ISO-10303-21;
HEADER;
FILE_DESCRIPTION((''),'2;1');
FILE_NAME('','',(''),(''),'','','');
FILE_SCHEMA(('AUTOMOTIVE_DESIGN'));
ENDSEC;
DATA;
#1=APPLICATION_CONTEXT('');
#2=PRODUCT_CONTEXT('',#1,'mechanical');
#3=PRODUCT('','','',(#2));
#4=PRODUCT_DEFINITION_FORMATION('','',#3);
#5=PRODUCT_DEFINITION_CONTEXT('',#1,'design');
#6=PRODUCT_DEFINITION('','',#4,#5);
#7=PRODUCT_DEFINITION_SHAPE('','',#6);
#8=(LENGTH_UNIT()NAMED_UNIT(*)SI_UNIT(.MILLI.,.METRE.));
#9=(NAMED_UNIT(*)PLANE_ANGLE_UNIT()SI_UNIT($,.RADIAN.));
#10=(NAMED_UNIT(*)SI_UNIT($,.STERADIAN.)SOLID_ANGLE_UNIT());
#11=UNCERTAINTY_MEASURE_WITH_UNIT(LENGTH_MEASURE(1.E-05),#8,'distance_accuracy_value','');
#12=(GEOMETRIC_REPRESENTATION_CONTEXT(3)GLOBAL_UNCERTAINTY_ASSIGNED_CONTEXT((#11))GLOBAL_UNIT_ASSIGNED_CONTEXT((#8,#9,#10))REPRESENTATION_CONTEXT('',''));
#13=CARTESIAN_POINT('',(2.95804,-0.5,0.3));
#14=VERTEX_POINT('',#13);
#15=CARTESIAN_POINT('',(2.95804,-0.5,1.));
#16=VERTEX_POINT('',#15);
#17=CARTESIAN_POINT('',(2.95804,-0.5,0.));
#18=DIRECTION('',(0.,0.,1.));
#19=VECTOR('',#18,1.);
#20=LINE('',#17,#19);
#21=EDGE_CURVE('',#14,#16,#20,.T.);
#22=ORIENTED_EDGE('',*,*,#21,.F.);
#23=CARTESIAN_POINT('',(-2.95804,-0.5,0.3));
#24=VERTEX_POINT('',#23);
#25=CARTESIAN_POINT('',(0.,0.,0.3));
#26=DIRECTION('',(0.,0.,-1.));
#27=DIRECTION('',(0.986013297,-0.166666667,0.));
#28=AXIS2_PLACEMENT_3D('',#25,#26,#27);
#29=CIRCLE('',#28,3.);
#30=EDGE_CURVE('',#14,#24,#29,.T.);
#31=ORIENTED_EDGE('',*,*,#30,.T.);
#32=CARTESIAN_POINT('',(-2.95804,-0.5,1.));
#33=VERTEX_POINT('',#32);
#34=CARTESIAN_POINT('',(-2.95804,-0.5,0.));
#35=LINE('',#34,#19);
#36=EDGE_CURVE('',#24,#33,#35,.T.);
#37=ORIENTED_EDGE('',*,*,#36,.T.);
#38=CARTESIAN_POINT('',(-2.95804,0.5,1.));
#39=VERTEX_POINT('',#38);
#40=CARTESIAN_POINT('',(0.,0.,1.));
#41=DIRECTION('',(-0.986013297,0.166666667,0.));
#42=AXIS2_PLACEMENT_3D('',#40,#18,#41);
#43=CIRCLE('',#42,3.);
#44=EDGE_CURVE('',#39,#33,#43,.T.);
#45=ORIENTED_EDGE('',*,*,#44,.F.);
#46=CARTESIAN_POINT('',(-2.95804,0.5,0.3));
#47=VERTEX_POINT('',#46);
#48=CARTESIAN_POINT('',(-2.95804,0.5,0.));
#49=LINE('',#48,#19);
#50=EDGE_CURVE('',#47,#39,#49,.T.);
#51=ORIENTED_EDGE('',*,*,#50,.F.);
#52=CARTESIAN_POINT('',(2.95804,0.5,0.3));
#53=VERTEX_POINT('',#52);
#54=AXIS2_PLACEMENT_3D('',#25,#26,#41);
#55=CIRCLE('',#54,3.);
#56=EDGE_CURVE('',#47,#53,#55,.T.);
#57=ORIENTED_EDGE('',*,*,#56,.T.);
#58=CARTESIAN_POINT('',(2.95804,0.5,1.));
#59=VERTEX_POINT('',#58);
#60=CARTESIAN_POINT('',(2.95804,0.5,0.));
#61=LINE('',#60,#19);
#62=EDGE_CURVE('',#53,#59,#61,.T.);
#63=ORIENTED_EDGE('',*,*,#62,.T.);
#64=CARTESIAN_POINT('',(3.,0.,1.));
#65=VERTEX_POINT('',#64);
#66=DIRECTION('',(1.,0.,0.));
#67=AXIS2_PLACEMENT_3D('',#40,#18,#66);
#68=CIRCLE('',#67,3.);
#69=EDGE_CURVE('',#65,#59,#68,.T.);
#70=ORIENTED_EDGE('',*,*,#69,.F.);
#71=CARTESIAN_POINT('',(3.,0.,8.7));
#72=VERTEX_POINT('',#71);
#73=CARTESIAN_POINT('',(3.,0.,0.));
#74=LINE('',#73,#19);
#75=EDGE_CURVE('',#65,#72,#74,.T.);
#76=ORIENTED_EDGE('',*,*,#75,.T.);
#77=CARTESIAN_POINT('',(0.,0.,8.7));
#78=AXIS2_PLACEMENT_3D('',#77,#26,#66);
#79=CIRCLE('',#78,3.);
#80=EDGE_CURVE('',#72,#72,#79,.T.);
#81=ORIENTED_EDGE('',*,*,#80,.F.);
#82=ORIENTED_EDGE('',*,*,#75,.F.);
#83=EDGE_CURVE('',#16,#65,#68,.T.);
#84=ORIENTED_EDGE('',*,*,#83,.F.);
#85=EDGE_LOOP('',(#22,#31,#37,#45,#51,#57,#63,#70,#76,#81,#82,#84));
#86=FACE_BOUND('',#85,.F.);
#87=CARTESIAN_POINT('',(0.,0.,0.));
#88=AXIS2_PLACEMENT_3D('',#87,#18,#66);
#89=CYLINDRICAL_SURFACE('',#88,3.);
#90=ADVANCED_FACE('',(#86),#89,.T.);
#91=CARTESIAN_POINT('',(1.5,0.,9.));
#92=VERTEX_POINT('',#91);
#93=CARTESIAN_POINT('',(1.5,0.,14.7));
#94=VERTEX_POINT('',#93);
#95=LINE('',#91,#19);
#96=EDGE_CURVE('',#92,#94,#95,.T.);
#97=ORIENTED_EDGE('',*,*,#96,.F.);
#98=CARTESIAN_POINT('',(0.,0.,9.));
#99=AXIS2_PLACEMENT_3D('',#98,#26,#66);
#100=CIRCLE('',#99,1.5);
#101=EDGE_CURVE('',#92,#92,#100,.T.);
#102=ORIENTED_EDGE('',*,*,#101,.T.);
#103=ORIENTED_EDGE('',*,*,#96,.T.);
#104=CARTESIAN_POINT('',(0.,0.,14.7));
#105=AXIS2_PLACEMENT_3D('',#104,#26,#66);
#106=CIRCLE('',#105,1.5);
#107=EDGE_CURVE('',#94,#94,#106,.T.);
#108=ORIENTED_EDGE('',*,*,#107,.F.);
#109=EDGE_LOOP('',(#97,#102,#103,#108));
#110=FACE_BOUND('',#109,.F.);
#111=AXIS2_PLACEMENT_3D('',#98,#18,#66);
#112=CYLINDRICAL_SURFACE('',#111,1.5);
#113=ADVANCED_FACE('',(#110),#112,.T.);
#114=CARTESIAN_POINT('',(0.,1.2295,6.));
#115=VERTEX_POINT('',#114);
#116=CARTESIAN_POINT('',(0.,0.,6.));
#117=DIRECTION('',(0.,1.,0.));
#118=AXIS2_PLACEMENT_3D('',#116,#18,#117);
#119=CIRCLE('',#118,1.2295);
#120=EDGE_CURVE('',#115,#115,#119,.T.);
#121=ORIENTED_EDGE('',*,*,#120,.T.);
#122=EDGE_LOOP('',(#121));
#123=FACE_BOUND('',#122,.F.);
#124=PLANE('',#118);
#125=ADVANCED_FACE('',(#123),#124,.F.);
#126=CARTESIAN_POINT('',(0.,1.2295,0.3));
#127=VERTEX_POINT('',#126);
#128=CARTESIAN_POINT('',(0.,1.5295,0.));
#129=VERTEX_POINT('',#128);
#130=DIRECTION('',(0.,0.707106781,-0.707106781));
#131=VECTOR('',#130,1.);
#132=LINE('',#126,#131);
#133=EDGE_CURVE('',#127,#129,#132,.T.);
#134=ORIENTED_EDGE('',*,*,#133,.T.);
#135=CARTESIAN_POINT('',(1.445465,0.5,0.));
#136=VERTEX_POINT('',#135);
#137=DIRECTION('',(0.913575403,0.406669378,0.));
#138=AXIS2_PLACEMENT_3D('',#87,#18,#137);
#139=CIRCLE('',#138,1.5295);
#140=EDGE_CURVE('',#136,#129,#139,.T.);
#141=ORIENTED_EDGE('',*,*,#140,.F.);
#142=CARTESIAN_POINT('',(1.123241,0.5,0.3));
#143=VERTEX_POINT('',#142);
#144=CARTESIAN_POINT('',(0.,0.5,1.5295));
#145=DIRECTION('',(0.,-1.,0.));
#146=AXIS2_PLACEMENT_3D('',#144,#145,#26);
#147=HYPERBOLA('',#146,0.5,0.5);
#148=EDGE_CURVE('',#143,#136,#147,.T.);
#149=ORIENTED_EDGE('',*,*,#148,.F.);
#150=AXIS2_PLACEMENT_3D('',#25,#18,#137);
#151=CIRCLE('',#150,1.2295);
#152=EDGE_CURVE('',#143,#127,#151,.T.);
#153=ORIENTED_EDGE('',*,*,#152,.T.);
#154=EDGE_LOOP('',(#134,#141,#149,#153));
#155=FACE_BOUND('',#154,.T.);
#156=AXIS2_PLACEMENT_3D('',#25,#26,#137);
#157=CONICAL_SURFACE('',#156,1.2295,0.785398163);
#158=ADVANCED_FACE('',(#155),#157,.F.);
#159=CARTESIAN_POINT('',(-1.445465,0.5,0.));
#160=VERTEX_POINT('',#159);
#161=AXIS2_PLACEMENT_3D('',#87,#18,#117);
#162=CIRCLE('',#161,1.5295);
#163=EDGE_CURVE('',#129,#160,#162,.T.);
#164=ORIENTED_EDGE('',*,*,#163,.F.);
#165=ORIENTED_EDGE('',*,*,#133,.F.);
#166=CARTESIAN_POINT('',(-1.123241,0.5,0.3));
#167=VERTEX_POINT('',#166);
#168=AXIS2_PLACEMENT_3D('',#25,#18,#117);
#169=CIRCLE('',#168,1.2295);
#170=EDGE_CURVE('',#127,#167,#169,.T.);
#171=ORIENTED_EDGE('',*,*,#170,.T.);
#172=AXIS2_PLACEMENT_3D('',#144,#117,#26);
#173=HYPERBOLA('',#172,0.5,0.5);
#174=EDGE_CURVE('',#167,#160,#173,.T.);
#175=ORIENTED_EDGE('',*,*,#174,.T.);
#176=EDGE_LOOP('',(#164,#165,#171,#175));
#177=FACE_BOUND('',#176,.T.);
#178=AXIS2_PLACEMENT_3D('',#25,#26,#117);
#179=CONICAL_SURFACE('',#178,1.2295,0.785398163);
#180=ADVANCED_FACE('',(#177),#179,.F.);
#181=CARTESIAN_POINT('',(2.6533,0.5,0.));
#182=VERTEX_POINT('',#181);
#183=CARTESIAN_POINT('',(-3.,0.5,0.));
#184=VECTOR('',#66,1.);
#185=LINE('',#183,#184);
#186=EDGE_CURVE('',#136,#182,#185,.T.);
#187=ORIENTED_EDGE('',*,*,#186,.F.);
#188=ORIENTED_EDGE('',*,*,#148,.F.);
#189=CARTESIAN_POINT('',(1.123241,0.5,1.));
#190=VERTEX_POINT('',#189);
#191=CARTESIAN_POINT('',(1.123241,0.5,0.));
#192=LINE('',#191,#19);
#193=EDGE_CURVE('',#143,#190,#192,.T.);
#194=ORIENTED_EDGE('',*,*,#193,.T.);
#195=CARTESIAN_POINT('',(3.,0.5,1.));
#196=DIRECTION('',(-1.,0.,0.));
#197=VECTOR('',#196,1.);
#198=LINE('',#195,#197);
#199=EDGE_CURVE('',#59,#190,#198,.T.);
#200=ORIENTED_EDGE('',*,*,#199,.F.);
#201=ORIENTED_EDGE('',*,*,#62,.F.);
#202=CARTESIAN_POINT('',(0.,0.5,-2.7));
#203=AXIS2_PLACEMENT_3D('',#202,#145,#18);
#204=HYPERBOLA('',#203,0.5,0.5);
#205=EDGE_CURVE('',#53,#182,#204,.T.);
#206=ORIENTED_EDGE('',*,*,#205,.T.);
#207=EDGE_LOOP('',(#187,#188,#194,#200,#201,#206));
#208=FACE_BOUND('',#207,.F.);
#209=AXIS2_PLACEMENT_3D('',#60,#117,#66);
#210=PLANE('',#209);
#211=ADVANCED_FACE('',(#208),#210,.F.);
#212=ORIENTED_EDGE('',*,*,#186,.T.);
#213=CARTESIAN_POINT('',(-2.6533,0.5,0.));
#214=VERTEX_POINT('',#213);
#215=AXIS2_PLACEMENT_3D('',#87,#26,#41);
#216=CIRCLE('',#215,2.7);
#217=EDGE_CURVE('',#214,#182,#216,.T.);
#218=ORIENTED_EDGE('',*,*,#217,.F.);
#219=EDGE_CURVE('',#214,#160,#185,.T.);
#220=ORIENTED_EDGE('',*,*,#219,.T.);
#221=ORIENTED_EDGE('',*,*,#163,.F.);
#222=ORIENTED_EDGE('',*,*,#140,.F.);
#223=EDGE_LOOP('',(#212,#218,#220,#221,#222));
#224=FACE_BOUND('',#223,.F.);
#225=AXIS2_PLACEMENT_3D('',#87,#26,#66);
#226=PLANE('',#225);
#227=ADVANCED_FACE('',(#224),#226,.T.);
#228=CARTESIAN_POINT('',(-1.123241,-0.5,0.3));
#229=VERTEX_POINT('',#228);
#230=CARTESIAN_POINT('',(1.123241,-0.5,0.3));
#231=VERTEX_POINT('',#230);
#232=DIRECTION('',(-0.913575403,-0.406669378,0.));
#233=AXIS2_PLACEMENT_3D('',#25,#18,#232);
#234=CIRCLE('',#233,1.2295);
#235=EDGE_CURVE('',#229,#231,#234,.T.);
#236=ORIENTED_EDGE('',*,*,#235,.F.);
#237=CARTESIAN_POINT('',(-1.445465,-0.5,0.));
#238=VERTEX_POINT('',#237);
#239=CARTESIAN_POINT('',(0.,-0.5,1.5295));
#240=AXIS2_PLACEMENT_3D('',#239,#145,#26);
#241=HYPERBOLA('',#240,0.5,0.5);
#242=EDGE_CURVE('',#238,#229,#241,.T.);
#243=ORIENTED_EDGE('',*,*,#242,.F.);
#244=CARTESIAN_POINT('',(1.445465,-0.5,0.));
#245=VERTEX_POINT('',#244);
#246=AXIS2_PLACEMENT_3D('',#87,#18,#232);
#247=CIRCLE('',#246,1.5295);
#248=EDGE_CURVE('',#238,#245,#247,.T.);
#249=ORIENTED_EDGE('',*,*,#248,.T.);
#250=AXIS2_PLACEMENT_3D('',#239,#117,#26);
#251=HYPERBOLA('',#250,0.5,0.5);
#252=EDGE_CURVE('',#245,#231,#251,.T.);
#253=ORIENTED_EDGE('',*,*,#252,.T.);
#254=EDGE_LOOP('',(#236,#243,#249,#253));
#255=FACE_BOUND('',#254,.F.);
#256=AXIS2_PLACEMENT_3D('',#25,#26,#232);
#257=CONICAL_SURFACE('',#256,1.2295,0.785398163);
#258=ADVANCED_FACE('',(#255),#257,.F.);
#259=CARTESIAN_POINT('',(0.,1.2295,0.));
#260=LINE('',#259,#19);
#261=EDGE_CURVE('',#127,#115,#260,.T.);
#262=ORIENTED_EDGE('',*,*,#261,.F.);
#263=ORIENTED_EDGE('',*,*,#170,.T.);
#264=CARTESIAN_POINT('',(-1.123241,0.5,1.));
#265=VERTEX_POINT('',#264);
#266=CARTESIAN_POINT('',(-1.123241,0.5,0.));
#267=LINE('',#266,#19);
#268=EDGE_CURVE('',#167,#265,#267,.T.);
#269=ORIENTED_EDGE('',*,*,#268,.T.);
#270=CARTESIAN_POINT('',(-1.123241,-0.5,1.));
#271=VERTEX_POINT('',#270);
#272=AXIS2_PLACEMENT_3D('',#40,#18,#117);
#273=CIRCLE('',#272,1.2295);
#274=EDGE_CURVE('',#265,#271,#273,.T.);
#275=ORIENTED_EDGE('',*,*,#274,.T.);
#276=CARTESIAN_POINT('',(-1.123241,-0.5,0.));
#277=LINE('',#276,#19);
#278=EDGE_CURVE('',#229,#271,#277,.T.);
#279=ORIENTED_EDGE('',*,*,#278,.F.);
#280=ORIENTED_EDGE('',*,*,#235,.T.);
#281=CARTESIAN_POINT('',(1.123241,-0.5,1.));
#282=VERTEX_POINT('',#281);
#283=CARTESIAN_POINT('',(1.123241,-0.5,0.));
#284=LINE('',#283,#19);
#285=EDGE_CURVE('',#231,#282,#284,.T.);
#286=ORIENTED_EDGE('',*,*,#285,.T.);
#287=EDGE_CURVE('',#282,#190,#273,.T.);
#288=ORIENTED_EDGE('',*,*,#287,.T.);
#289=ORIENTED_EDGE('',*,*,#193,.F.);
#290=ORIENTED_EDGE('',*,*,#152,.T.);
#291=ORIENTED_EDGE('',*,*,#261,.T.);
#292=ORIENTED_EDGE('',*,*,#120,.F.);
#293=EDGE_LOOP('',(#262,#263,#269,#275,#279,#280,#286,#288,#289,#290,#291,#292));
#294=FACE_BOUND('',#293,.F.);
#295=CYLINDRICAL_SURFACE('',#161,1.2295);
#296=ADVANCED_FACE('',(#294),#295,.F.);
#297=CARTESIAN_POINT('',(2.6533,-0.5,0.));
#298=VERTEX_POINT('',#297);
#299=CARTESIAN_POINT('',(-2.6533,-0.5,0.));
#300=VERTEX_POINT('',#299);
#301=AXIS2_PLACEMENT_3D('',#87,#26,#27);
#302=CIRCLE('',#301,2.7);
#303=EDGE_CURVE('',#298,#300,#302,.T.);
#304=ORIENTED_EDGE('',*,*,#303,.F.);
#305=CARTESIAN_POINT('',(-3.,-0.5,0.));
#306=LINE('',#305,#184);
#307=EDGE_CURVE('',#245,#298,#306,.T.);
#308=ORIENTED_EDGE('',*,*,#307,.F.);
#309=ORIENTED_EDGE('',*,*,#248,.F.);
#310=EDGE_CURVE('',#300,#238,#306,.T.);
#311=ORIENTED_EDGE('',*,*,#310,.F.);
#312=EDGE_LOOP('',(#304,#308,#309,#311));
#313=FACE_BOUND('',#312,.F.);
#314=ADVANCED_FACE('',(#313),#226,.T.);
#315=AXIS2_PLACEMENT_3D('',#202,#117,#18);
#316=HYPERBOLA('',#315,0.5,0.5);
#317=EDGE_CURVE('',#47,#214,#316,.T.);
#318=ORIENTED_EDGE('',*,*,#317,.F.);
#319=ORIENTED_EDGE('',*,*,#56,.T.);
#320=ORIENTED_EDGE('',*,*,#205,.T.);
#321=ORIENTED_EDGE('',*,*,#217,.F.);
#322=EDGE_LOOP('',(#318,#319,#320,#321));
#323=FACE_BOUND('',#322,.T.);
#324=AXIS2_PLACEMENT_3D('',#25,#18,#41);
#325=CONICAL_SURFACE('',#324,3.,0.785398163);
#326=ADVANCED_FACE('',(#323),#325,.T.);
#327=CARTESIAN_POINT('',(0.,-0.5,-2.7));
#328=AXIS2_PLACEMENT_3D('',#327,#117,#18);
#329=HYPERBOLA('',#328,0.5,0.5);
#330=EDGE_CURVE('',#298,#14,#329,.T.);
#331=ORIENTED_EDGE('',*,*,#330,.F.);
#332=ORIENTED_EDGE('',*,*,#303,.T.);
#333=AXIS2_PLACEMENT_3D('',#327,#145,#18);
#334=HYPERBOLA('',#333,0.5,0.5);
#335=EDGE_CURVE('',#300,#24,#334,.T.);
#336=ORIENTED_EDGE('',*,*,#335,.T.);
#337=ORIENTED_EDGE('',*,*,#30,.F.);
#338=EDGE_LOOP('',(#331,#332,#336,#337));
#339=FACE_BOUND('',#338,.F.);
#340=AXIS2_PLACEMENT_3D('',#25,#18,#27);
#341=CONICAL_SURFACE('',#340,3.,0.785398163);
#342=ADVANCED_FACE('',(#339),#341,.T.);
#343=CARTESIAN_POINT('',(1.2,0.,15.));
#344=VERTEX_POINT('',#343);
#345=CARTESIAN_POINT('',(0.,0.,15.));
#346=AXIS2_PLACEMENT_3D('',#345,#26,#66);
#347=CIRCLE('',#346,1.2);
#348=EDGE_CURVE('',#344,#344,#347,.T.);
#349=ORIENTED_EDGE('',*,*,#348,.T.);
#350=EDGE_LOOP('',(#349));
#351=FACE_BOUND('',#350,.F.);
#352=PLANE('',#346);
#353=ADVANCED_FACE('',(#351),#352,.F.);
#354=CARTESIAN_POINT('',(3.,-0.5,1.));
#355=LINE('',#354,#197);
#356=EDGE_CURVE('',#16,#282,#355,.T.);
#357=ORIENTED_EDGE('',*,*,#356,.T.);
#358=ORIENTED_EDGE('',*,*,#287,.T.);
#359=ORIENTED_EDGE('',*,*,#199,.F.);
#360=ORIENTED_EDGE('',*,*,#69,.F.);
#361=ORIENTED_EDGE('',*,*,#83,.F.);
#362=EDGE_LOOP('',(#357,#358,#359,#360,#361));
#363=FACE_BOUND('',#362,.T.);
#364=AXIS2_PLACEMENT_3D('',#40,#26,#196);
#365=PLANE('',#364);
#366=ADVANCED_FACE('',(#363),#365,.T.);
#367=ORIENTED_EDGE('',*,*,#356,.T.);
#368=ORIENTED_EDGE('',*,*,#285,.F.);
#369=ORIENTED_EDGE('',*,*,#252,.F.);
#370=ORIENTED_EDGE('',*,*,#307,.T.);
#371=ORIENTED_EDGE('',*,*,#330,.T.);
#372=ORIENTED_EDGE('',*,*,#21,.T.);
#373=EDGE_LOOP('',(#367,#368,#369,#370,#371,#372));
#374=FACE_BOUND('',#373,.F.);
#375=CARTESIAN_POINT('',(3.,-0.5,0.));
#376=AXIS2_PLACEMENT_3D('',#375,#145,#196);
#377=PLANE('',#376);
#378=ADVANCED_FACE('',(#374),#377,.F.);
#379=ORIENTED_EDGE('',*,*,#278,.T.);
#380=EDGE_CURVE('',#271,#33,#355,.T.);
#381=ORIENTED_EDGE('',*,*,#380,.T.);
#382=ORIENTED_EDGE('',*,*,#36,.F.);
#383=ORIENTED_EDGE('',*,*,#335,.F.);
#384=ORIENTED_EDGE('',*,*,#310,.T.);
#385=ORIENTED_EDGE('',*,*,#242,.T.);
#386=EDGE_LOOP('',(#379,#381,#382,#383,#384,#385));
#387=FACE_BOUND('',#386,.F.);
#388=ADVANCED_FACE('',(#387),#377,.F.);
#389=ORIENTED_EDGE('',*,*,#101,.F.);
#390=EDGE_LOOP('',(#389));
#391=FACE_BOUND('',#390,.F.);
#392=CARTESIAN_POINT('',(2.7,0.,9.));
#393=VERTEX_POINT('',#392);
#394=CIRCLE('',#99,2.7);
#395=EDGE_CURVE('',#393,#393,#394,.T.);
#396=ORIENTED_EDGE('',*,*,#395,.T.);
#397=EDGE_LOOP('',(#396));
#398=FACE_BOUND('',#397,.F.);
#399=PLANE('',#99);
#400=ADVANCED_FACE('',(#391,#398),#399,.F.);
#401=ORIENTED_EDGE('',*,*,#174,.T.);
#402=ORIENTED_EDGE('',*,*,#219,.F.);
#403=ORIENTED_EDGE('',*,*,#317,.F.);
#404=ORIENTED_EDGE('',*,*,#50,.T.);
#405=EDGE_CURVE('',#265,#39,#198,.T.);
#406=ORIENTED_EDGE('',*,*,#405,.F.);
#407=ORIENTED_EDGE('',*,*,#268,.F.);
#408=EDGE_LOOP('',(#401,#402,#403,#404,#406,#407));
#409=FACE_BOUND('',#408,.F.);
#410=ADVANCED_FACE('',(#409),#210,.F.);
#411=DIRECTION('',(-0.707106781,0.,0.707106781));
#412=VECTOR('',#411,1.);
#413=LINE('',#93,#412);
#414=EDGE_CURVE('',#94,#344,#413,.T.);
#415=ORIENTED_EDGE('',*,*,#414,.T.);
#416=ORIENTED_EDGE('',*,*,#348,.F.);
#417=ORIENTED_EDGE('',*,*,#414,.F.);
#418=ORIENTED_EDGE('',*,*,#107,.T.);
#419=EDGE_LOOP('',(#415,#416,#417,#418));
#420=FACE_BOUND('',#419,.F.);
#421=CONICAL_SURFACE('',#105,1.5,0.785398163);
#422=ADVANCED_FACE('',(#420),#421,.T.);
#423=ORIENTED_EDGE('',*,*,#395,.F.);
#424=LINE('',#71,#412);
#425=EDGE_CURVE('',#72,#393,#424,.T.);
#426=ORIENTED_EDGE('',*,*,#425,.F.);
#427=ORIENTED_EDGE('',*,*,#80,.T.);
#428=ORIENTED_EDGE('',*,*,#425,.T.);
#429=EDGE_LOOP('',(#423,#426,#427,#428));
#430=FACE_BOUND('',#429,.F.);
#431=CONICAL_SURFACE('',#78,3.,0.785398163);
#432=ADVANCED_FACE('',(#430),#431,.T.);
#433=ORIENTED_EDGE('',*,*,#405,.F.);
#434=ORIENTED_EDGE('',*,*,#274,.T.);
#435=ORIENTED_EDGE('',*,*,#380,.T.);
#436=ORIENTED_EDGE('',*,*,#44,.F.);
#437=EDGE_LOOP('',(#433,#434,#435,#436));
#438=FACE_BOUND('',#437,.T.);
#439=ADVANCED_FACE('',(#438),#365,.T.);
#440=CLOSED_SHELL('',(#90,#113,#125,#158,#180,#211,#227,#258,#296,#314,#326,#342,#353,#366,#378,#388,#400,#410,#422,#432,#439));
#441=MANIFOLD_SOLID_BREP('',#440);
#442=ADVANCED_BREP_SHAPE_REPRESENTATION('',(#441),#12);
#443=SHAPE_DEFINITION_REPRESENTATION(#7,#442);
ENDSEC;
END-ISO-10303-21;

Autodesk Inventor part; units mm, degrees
ref_plane "YZ Plane" through (0, 0, 0) normal (1, 0, 0) x (0, 1, 0)
ref_plane "XZ Plane" through (0, 0, 0) normal (0, 1, 0) x (-1, 0, 0)
ref_plane "XY Plane" through (0, 0, 0) normal (0, 0, 1) x (1, 0, 0)
sketch "Sketch1" plane through (0, 0, 0) normal (0, 1, 0) x (-1, 0, 0)
  line L0 (0, 0) -> (-3, 0)
  line L1 (-3, 0) -> (-3, 9)
  line L2 (-3, 9) -> (-1.5, 9)
  line L3 (-1.5, 9) -> (-1.5, 15)
  line L4 (-1.5, 15) -> (0, 15)
  line L5 (0, 15) -> (0, 0)
  dimension "d1" = 6
  dimension "d2" = 9
  dimension "d3" = 3
  dimension "d4" = 6
revolve "Revolution1" add sketch "Sketch1" angle 360 about axis through (0, 0, 15) along (0, 0, -1)
sketch "Sketch2" plane through (0, 0, 0) normal (0, 0, -1) x (-1, 0, 0)
  line L0 (-3, -0.5) -> (3, -0.5)
  line L1 (3, -0.5) -> (3, 0.5)
  line L2 (3, 0.5) -> (-3, 0.5)
  line L3 (-3, 0.5) -> (-3, -0.5)
  line L4 (-3, -0.5) -> (3, 0.5) construction
  line L5 (3, -0.5) -> (-3, 0.5) construction
  circle A0 centre (0, 0) radius 3 projected
  dimension "d6" = 1
extrude "Extrusion1" cut sketch "Sketch2" against normal blind 1 contours L3 A0 L0 | A0 L2 L0 | L3 L2 A0 | A0 L1 L0 | A0 L2 L1
hole "Hole1" at (0, 0, 0) direction (0, 0, 1) diameter 2.459 depth 6 thread size "M3x0.5" class "6H" standard "ANSI Metric M Profile"
thread "Thread1" size "M3x0.5" class "6g" standard "ANSI Metric M Profile" full length
chamfer "Chamfer1" distance 0.3 angle 45 7 edges at (-3, 0, 9) (0, 3, 0) (0, -3, 0) (0, -1.2295, 0) (-0.6697, 1.0311, 0) (0.6697, 1.0311, 0) (-1.5, 0, 15)
properties part number "BRU-309S" material "Stainless Steel AISI 304"
